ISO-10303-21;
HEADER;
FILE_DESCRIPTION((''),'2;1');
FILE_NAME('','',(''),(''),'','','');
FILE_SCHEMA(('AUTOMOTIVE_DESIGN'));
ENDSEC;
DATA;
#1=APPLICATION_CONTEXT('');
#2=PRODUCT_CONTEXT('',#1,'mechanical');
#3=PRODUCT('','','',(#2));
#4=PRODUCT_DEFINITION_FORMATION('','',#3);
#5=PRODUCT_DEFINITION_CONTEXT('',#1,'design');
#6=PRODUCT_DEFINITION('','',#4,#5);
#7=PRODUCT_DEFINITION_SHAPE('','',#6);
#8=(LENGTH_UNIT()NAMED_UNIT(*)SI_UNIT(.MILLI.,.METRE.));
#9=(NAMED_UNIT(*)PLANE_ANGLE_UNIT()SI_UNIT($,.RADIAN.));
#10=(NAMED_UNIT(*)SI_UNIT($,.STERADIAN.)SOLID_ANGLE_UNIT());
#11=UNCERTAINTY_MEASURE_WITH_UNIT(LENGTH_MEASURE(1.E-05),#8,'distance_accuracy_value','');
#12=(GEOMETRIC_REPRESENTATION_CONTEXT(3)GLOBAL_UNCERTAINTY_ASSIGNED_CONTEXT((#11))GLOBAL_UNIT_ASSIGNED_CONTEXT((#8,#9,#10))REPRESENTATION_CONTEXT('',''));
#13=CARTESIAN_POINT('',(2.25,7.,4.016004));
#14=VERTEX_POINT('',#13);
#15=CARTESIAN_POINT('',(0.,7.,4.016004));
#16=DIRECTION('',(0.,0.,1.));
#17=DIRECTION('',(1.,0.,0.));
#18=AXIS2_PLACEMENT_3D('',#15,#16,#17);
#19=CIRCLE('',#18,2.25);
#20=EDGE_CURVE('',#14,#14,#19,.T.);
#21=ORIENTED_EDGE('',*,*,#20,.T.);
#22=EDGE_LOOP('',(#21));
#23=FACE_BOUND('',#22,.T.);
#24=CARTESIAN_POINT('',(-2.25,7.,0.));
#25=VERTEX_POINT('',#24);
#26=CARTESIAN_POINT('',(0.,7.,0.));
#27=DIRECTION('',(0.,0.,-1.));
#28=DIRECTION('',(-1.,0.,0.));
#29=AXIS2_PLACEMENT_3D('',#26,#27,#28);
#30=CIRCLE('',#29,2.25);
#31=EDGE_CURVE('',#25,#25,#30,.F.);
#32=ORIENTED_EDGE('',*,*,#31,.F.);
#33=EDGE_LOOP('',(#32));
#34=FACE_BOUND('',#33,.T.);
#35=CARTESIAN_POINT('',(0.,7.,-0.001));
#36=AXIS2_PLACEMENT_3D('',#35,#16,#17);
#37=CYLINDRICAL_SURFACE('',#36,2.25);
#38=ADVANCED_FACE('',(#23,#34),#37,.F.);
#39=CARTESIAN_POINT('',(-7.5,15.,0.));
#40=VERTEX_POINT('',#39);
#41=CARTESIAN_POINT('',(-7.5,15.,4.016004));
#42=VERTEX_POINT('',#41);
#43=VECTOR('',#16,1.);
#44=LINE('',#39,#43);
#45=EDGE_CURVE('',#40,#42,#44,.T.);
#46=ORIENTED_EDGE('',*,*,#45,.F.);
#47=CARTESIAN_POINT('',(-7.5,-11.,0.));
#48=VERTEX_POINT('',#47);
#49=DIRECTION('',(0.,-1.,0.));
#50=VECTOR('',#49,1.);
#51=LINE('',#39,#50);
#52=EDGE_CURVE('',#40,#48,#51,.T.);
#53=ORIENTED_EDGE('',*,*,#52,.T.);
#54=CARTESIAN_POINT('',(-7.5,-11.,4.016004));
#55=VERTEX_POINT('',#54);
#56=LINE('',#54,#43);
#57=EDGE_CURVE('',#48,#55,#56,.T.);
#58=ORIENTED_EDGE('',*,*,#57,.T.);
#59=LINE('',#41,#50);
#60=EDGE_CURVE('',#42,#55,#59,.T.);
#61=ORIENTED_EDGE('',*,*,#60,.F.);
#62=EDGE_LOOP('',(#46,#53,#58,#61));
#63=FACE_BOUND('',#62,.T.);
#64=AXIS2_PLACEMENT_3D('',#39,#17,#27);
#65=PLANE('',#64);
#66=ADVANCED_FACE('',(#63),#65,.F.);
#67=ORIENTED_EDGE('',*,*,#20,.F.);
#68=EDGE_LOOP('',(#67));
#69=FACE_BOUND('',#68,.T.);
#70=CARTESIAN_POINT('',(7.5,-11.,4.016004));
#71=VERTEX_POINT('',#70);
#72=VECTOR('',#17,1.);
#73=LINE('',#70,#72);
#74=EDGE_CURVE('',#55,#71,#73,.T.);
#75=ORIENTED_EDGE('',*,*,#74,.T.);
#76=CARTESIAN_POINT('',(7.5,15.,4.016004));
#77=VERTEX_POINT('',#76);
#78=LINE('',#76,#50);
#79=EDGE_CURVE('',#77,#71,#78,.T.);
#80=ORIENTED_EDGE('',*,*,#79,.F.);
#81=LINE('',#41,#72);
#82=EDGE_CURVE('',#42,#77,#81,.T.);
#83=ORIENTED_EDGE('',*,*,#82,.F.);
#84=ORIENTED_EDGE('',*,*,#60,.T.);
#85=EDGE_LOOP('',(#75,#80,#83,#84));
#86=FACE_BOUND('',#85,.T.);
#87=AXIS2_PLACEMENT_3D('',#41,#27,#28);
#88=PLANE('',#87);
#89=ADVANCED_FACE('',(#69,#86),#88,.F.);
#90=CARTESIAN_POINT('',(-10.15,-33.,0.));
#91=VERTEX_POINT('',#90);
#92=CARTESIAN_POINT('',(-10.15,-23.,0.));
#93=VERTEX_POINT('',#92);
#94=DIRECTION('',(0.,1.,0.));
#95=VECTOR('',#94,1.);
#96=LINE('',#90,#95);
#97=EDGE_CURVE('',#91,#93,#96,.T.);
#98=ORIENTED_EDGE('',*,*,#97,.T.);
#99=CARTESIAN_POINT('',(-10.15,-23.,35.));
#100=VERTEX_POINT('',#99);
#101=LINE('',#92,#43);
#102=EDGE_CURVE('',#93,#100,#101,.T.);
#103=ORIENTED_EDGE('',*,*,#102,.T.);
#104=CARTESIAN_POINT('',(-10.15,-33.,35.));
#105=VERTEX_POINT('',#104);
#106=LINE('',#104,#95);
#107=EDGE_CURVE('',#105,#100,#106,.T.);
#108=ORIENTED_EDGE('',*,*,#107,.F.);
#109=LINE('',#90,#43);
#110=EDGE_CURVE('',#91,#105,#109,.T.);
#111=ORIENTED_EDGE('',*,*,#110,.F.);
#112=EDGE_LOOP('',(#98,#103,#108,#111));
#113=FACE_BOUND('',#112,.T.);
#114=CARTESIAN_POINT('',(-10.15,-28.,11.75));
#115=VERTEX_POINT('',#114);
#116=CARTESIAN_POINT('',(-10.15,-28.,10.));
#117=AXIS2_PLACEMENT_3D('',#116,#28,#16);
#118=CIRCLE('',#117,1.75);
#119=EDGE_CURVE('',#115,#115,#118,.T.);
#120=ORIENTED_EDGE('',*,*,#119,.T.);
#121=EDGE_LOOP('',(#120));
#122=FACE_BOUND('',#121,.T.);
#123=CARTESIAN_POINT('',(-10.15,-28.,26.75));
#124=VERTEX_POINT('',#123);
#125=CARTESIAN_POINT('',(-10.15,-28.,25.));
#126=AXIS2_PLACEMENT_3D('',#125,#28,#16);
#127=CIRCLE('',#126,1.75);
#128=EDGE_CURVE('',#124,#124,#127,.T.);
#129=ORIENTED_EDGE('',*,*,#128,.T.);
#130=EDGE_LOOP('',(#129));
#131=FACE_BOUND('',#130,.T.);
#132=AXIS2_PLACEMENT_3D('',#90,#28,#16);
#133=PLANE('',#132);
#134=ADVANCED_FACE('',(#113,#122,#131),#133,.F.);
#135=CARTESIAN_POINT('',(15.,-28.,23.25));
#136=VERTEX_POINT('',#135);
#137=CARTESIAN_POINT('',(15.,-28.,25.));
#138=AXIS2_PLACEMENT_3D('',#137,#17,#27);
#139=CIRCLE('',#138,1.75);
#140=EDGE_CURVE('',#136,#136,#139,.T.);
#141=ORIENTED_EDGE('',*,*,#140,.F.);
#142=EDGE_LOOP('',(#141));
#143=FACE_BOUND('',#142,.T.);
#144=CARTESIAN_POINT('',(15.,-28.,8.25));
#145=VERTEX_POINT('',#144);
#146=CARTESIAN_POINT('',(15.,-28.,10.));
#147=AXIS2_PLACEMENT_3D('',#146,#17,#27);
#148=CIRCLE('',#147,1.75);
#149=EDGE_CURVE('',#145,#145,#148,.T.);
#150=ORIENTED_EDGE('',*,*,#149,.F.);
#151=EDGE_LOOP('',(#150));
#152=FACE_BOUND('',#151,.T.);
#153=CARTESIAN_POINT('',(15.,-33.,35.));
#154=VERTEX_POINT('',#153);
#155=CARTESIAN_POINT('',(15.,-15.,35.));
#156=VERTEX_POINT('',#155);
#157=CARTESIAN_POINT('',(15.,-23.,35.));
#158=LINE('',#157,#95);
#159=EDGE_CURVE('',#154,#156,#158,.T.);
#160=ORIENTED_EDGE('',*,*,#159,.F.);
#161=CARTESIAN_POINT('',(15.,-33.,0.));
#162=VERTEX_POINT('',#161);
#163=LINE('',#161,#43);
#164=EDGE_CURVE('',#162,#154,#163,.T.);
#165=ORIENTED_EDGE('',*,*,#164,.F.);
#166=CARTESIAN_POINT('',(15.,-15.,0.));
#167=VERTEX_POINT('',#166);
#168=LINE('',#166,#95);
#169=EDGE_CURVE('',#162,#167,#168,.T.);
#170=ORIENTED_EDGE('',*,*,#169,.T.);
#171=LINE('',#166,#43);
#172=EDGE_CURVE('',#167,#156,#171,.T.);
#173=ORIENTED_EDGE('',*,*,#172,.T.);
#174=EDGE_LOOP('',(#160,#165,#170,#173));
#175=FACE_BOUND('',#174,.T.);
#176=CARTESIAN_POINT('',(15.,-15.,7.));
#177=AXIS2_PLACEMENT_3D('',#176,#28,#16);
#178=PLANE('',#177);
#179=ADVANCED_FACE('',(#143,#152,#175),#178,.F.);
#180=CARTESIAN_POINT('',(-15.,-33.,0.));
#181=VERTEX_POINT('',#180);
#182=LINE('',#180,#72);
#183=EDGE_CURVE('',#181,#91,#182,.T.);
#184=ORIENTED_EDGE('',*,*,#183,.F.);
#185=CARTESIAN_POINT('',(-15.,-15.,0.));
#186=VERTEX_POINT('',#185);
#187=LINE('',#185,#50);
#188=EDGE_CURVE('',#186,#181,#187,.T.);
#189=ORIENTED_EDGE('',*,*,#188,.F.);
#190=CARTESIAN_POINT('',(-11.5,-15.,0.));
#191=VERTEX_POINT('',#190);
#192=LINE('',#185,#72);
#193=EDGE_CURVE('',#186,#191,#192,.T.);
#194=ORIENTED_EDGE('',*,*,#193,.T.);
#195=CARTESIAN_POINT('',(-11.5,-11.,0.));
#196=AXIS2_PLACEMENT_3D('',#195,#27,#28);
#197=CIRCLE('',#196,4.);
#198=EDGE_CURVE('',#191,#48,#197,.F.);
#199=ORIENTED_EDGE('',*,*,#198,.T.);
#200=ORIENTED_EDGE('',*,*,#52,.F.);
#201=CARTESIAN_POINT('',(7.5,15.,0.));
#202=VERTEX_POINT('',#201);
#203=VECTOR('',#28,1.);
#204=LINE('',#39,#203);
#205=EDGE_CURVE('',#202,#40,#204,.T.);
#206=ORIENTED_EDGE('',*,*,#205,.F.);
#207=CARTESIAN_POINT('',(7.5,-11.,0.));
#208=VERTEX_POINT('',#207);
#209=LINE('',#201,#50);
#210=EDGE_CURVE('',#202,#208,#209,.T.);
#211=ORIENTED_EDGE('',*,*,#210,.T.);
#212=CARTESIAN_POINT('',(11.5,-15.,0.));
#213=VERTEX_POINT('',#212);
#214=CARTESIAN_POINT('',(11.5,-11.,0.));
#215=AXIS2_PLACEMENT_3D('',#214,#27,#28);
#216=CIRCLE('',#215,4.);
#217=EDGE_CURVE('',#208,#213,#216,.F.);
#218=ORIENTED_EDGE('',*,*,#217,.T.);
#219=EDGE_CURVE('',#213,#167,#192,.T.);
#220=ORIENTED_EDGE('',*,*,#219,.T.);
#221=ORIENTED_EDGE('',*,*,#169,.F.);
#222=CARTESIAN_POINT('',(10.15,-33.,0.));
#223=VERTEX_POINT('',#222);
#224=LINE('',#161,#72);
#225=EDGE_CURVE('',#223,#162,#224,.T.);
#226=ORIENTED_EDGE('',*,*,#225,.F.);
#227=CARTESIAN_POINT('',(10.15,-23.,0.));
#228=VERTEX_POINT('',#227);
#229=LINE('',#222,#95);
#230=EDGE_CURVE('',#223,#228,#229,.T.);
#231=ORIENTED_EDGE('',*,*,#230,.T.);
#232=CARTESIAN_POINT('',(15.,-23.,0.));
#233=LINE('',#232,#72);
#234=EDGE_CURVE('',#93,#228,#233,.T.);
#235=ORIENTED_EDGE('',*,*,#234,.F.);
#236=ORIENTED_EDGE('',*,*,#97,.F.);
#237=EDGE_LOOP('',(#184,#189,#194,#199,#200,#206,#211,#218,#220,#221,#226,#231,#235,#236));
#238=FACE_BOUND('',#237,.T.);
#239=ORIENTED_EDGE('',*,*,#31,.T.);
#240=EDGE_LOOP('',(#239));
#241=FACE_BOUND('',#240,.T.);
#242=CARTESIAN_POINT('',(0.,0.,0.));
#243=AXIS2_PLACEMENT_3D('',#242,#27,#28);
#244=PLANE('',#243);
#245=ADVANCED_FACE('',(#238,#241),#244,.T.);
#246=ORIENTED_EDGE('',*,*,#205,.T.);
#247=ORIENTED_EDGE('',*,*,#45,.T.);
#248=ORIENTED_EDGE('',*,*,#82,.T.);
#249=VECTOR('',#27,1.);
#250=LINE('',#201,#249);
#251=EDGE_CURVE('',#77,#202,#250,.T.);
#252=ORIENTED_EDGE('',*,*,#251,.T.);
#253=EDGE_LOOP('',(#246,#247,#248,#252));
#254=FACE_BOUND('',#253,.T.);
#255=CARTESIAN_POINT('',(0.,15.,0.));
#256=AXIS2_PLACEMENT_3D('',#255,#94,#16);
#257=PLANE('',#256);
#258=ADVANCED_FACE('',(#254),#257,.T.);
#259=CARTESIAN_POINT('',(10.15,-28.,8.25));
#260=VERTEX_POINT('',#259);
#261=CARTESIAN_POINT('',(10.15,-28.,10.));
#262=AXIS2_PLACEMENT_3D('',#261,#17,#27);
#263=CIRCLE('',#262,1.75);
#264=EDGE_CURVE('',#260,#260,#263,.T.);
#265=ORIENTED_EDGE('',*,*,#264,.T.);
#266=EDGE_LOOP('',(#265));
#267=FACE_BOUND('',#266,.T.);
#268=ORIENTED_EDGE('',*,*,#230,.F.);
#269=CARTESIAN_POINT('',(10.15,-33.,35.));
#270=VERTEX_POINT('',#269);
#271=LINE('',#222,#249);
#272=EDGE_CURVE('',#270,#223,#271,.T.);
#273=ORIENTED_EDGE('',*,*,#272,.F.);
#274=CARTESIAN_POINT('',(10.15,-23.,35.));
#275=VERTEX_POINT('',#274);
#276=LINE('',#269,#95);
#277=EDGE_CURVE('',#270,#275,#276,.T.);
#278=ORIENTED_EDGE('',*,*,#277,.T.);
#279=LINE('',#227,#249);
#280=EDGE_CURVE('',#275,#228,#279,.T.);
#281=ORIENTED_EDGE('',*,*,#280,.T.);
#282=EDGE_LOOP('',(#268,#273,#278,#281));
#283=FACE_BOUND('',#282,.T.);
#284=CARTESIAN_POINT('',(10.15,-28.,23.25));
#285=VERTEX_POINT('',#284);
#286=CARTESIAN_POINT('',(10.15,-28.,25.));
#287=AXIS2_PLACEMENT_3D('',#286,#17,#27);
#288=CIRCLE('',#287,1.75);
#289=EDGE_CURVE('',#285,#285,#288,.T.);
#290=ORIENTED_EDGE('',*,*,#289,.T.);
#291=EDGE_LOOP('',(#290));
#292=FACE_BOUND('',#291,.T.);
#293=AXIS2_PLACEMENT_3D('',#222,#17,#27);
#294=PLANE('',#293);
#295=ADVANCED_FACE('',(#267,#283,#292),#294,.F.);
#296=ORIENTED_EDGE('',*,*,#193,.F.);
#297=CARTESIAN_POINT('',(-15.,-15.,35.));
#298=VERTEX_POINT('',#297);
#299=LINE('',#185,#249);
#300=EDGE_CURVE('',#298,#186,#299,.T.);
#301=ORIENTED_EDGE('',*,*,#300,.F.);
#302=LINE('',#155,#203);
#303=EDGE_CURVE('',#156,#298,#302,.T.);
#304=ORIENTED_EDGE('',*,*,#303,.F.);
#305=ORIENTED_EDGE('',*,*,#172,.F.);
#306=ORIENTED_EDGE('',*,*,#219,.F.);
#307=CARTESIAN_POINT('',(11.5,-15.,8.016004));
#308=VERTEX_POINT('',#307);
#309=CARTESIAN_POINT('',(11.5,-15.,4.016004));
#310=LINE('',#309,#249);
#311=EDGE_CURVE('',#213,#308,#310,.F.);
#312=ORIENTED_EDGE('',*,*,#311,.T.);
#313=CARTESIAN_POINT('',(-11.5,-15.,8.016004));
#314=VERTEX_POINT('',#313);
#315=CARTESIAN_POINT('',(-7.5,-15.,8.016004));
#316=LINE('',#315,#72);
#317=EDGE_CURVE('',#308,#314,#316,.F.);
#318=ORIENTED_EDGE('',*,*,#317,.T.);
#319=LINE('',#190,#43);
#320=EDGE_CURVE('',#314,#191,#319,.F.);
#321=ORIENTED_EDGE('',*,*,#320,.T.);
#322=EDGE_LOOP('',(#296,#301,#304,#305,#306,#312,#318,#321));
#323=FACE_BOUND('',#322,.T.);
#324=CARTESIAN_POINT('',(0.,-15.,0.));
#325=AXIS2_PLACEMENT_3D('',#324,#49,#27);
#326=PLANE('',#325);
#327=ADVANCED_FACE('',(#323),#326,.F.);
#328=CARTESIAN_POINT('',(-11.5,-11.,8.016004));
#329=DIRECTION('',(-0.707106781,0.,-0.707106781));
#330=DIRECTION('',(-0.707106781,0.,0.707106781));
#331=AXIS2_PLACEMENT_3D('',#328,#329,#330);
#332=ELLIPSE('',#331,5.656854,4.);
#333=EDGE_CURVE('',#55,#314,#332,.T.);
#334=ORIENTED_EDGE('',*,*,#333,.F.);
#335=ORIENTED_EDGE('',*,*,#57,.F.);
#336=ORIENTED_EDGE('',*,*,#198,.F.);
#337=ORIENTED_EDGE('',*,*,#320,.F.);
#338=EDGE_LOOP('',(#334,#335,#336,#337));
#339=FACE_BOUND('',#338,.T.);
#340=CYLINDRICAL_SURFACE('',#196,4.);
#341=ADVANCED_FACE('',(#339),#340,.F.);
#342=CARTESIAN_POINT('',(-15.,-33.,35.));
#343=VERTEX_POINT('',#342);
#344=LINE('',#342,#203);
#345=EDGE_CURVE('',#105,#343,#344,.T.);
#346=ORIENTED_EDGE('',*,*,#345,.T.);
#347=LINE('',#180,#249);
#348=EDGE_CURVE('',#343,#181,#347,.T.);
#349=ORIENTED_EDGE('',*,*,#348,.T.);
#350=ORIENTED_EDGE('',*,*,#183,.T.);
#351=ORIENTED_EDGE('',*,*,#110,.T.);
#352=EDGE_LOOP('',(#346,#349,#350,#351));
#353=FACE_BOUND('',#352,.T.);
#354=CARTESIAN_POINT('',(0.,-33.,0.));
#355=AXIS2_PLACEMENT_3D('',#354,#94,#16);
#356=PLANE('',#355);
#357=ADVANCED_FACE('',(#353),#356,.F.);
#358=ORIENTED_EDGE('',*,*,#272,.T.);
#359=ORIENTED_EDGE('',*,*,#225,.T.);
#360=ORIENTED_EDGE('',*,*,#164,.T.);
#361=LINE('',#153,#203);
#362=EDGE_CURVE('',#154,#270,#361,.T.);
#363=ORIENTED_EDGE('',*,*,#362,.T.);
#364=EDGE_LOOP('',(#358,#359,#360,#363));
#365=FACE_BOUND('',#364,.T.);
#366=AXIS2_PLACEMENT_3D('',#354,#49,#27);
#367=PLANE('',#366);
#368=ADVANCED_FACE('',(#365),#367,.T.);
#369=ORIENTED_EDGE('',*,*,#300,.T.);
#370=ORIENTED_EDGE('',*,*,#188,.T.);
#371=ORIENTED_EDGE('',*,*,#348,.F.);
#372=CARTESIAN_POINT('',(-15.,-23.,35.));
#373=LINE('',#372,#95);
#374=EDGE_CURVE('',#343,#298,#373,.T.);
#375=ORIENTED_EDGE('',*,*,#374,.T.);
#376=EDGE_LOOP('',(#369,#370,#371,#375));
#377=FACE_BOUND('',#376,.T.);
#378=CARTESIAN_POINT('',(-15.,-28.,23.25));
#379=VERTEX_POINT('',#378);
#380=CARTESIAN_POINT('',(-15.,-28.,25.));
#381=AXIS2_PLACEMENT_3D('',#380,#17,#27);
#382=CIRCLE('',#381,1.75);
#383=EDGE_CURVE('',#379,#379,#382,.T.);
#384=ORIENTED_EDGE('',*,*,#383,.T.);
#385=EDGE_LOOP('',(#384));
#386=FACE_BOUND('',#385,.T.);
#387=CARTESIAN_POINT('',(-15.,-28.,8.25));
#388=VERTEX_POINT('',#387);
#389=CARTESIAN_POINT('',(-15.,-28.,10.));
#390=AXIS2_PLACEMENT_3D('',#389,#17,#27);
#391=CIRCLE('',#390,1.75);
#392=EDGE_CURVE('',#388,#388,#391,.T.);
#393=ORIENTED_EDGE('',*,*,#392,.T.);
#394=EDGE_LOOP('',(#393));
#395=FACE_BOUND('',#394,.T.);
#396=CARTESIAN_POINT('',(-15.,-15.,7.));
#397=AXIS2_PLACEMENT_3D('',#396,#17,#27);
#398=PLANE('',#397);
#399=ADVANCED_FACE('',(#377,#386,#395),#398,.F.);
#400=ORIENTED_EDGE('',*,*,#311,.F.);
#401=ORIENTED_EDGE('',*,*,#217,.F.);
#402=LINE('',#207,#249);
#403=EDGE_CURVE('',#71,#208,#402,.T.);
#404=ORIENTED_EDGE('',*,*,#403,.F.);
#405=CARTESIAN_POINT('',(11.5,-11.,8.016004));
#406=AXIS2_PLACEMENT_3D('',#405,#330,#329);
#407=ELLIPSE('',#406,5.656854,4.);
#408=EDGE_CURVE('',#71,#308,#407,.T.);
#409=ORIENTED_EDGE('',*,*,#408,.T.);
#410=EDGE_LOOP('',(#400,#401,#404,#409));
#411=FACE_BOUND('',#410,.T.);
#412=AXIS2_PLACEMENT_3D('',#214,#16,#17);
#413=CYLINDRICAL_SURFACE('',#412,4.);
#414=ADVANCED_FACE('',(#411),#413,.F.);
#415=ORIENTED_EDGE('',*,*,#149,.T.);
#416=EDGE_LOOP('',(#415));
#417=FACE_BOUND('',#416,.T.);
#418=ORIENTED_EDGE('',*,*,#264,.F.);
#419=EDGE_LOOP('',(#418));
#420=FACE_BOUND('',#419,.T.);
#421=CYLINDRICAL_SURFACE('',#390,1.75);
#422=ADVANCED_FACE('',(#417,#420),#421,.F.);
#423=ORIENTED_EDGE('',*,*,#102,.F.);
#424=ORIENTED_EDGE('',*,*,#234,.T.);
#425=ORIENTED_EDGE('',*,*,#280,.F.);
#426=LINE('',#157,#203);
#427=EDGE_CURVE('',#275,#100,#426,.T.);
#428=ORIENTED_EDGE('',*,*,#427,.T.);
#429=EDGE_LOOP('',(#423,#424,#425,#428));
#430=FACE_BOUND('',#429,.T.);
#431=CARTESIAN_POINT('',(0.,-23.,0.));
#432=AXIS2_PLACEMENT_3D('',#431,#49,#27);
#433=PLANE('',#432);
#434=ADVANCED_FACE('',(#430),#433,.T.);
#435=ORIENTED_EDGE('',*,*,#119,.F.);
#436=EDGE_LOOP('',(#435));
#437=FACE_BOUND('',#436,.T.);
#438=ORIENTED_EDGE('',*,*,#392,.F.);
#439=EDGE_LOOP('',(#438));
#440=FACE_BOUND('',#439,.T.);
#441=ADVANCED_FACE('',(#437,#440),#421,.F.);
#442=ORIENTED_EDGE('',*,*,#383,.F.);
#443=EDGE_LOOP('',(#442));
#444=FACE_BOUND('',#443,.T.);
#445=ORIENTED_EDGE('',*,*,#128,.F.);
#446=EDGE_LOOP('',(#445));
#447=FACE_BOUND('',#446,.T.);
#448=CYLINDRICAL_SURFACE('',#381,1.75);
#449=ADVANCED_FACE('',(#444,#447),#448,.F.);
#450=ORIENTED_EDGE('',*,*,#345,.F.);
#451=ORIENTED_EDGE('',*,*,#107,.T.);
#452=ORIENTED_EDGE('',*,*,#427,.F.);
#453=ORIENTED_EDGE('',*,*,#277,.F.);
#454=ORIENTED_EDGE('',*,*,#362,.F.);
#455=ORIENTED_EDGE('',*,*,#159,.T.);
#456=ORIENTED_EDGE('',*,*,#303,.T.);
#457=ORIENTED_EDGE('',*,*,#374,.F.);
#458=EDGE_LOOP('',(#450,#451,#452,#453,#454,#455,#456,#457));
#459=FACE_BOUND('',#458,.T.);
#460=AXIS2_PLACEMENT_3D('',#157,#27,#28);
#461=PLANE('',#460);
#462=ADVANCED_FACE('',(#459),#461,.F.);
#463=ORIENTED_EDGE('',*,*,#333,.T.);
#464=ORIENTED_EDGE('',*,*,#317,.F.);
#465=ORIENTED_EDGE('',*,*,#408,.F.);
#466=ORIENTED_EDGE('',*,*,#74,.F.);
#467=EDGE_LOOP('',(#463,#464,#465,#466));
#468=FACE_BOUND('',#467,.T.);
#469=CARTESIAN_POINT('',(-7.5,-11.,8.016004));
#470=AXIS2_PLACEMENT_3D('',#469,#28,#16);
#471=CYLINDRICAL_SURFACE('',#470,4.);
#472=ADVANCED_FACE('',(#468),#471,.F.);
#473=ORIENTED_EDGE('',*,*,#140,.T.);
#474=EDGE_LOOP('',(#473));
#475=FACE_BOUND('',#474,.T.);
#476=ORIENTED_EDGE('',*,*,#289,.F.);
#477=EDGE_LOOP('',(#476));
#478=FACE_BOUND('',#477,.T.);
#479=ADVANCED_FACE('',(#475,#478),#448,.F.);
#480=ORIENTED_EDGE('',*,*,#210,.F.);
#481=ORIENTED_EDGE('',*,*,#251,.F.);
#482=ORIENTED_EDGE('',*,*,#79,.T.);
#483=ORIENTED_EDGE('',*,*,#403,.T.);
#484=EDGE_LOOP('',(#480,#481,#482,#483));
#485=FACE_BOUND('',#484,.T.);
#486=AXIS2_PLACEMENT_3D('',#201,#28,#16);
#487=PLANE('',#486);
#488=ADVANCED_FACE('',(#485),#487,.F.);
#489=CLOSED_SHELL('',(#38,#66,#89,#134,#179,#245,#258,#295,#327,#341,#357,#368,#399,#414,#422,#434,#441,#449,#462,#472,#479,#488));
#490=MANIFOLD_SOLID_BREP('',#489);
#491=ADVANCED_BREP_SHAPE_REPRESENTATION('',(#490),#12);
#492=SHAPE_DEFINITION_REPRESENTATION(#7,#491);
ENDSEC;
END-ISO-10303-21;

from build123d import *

# Parameters (mm, degrees)
CROQUIS1_W                 = 30
CROQUIS1_H                 = 30
SALIENTE_EXTRUIR1_DEPTH    = 7
CROQUIS2_W                 = 30
CROQUIS2_H                 = 35
SALIENTE_EXTRUIR2_DEPTH    = 8
CROQUIS3_W                 = 4.85
CROQUIS3_H                 = 35
SALIENTE_EXTRUIR3_DEPTH    = 10
CORTAR_EXTRUIR1_REACH      = 47.804
CROQUIS4_R                 = 2.25
CORTAR_EXTRUIR4_REACH      = 47.804
CROQUIS7_W                 = 30
CROQUIS7_H                 = 30
CROQUIS8_W                 = 15
CROQUIS8_H                 = 4.016004192
SALIENTE_EXTRUIR4_DEPTH    = 30
CORTAR_EXTRUIR5_REACH      = 49.687
CROQUIS9_R                 = 2.25
REDONDEO3_R                = 4
CORTAR_EXTRUIR6_DEPTH      = 55.281880034
CORTAR_EXTRUIR6_DEPTH_BACK = 55.281880034
CROQUIS10_R                = 1.75


with BuildPart() as part:
    # Croquis1 → Saliente-Extruir1 (new body)
    with BuildSketch(Plane.XY):
        Rectangle(CROQUIS1_W, CROQUIS1_H)
    extrude(amount=SALIENTE_EXTRUIR1_DEPTH)

    # Croquis2 → Saliente-Extruir2 (add)
    with BuildSketch(Plane.XZ.offset(15)):
        with Locations((0, 17.5)):
            Rectangle(CROQUIS2_W, CROQUIS2_H)
    extrude(amount=SALIENTE_EXTRUIR2_DEPTH)

    # Croquis3 → Saliente-Extruir3 (add)
    with BuildSketch(Plane(origin=(0, -23, 0), x_dir=(-1, 0, 0), z_dir=(0, -1, 0))):
        with Locations((12.575, -17.5)):
            Rectangle(CROQUIS3_W, CROQUIS3_H)
        with Locations((-12.575, -17.5)):
            Rectangle(CROQUIS3_W, CROQUIS3_H)
    extrude(amount=SALIENTE_EXTRUIR3_DEPTH)

    # Croquis4 → Cortar-Extruir1 (cut, up to next)
    with BuildSketch(Plane.XY.offset(7), mode=Mode.PRIVATE) as cortar_extruir1_sk1:
        with Locations((0, 7)):
            Circle(CROQUIS4_R)
    cortar_extruir1_tool1 = extrude(cortar_extruir1_sk1.sketch, amount=-CORTAR_EXTRUIR1_REACH, mode=Mode.PRIVATE) & part.part
    add(cortar_extruir1_tool1.solids().sort_by_distance((0, 7, 7))[0], mode=Mode.SUBTRACT)

    # Croquis7 → Cortar-Extruir4 (cut, up to next)
    with BuildSketch(Plane.XY.offset(7), mode=Mode.PRIVATE) as cortar_extruir4_sk1:
        Rectangle(CROQUIS7_W, CROQUIS7_H)
    cortar_extruir4_tool1 = extrude(cortar_extruir4_sk1.sketch, amount=-CORTAR_EXTRUIR4_REACH, mode=Mode.PRIVATE) & part.part
    add(cortar_extruir4_tool1.solids().sort_by_distance((0, 0, 7))[0], mode=Mode.SUBTRACT)

    # Croquis8 → Saliente-Extruir4 (add)
    with BuildSketch(Plane(origin=(0, -15, 0), x_dir=(1, 0, 0), z_dir=(0, 1, 0))):
        with Locations((0, -2.008002096)):
            Rectangle(CROQUIS8_W, CROQUIS8_H)
    extrude(amount=SALIENTE_EXTRUIR4_DEPTH)

    # Croquis9 → Cortar-Extruir5 (cut, up to next)
    with BuildSketch(Plane.XY.offset(4.016004192), mode=Mode.PRIVATE) as cortar_extruir5_sk1:
        with Locations((0, 7)):
            Circle(CROQUIS9_R)
    cortar_extruir5_tool1 = extrude(cortar_extruir5_sk1.sketch, amount=-CORTAR_EXTRUIR5_REACH, mode=Mode.PRIVATE) & part.part
    add(cortar_extruir5_tool1.solids().sort_by_distance((0, 7, 4.016004))[0], mode=Mode.SUBTRACT)

    # Redondeo3
    redondeo3_edges = [part.edges().sort_by_distance(p)[0] for p in [
        (7.5, -15, 2.008002096),
        (-7.5, -15, 2.008002096),
        (0, -15, 4.016004192),
    ]]
    fillet(redondeo3_edges, radius=REDONDEO3_R)

    # Croquis10 → Cortar-Extruir6 (cut, two sides: drawn at the far end of the back side and taken through both)
    with BuildSketch(Plane(origin=(-10.15, 0, 0), x_dir=(0, 0, -1), z_dir=(1, 0, 0)).offset(-CORTAR_EXTRUIR6_DEPTH_BACK)):
        with Locations((-10, -28)):
            Circle(CROQUIS10_R)
        with Locations((-25, -28)):
            Circle(CROQUIS10_R)
    extrude(amount=CORTAR_EXTRUIR6_DEPTH + CORTAR_EXTRUIR6_DEPTH_BACK, mode=Mode.SUBTRACT)


solid = part.part
